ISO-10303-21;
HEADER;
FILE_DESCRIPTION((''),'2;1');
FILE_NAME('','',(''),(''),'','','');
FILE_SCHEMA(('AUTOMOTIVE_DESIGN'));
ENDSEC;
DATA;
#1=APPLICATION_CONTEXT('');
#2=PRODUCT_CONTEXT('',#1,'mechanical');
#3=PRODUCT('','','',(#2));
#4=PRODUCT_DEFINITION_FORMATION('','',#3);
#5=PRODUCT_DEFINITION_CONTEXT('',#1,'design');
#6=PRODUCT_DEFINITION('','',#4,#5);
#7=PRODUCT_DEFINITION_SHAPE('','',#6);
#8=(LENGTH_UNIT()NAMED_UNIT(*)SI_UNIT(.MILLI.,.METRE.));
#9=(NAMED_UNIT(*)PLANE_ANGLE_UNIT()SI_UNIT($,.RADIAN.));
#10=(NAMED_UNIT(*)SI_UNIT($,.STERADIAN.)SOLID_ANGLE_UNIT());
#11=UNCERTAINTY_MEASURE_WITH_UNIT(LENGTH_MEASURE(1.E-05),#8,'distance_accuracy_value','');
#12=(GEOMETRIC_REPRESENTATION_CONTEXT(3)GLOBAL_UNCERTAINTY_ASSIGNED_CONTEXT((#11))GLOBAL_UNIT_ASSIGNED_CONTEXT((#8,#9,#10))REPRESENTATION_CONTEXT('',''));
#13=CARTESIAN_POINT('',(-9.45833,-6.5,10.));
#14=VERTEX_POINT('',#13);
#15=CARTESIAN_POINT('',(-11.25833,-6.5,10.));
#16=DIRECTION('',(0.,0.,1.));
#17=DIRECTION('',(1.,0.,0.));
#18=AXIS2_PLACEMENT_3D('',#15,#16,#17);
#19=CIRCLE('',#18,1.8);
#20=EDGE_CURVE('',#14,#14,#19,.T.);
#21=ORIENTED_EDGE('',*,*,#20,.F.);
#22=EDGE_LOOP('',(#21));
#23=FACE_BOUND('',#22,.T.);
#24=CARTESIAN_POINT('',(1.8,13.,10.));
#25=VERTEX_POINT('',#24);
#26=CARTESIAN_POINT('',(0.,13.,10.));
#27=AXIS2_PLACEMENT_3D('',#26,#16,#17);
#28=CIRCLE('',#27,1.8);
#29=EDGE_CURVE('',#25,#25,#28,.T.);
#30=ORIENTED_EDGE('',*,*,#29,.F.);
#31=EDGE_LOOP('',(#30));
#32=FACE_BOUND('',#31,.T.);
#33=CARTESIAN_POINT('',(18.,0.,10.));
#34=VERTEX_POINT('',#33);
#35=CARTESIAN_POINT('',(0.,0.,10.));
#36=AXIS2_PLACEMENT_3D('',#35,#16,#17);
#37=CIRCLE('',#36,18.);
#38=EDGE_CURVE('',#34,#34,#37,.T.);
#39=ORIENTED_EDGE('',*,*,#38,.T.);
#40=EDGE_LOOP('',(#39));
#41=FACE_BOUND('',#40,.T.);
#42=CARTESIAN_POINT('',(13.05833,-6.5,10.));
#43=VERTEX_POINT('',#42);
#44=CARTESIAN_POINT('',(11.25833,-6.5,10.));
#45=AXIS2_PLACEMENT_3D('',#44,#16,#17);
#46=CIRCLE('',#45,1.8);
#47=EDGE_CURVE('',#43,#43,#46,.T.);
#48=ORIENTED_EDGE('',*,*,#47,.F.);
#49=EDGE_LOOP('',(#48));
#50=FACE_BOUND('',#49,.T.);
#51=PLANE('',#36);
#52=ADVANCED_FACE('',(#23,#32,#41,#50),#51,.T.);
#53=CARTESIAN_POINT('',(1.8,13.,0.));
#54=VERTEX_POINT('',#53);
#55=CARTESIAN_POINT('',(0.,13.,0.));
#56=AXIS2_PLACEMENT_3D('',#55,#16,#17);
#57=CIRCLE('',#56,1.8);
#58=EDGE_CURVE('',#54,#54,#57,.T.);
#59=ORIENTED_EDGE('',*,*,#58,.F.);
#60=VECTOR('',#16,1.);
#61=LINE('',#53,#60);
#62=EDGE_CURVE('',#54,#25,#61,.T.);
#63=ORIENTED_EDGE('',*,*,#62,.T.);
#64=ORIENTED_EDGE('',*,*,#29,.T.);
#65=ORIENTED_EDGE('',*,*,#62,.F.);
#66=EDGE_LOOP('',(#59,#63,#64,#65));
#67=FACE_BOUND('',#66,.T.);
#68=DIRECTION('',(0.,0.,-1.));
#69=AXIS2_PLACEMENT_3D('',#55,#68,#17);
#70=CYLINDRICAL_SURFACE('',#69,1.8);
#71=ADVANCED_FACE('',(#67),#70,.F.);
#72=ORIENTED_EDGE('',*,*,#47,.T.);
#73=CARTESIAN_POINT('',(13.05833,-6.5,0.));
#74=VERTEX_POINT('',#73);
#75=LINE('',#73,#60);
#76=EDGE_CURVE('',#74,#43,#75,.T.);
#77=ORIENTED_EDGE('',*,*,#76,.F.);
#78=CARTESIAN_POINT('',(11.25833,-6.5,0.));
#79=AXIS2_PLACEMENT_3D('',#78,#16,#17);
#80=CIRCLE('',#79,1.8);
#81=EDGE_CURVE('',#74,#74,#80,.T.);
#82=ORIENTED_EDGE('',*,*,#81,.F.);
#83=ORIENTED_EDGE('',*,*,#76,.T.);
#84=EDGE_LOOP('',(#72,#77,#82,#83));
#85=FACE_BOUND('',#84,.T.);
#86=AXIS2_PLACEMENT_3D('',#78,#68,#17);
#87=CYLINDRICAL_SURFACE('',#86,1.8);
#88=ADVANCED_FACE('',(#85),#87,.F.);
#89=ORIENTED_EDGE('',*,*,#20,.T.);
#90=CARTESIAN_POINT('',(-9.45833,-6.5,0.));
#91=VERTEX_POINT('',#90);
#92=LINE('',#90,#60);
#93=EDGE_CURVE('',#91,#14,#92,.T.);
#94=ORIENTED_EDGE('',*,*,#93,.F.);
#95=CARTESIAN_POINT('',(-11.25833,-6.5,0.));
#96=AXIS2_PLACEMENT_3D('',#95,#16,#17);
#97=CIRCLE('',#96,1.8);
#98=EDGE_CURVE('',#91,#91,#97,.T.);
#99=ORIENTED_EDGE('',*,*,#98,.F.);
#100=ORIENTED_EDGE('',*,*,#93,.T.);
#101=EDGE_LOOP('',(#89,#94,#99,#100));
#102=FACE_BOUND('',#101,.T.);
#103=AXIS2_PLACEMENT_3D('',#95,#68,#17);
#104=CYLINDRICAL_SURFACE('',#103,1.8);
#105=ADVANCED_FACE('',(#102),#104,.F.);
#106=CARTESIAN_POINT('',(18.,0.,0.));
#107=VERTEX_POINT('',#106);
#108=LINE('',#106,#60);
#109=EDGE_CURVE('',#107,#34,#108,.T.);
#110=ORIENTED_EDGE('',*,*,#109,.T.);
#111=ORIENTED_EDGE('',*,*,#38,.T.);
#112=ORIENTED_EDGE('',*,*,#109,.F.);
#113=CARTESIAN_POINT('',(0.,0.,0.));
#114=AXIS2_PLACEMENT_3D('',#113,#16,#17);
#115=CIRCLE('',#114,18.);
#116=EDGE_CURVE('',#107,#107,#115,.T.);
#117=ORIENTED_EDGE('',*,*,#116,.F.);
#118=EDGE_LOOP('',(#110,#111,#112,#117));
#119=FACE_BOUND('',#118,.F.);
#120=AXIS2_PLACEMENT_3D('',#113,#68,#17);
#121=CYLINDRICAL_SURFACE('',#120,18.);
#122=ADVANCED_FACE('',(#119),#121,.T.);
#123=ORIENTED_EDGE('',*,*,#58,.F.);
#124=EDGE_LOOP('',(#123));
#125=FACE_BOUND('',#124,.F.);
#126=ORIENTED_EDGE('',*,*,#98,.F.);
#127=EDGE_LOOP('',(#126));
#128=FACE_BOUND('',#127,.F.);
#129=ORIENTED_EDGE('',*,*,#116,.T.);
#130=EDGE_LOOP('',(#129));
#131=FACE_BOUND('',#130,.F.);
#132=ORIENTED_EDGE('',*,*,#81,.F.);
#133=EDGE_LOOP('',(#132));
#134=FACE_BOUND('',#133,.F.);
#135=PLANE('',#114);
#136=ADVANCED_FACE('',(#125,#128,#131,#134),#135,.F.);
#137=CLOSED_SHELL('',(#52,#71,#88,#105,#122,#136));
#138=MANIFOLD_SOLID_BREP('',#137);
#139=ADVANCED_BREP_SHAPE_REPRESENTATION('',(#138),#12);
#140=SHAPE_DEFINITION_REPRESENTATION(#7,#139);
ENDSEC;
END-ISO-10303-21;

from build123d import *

# Parameters (mm, degrees)
SKETCH_R   = 18
SKETCH_R_2 = 1.8
PAD_DEPTH  = 10


with BuildPart() as part:
    # Sketch → Pad (new body)
    with BuildSketch(Plane.XY):
        Circle(SKETCH_R)
        with Locations((-11.25833, -6.5)):
            Circle(SKETCH_R_2, mode=Mode.SUBTRACT)
        with Locations((11.25833, -6.5)):
            Circle(SKETCH_R_2, mode=Mode.SUBTRACT)
        with Locations((0, 13)):
            Circle(SKETCH_R_2, mode=Mode.SUBTRACT)
    extrude(amount=PAD_DEPTH)


solid = part.part
